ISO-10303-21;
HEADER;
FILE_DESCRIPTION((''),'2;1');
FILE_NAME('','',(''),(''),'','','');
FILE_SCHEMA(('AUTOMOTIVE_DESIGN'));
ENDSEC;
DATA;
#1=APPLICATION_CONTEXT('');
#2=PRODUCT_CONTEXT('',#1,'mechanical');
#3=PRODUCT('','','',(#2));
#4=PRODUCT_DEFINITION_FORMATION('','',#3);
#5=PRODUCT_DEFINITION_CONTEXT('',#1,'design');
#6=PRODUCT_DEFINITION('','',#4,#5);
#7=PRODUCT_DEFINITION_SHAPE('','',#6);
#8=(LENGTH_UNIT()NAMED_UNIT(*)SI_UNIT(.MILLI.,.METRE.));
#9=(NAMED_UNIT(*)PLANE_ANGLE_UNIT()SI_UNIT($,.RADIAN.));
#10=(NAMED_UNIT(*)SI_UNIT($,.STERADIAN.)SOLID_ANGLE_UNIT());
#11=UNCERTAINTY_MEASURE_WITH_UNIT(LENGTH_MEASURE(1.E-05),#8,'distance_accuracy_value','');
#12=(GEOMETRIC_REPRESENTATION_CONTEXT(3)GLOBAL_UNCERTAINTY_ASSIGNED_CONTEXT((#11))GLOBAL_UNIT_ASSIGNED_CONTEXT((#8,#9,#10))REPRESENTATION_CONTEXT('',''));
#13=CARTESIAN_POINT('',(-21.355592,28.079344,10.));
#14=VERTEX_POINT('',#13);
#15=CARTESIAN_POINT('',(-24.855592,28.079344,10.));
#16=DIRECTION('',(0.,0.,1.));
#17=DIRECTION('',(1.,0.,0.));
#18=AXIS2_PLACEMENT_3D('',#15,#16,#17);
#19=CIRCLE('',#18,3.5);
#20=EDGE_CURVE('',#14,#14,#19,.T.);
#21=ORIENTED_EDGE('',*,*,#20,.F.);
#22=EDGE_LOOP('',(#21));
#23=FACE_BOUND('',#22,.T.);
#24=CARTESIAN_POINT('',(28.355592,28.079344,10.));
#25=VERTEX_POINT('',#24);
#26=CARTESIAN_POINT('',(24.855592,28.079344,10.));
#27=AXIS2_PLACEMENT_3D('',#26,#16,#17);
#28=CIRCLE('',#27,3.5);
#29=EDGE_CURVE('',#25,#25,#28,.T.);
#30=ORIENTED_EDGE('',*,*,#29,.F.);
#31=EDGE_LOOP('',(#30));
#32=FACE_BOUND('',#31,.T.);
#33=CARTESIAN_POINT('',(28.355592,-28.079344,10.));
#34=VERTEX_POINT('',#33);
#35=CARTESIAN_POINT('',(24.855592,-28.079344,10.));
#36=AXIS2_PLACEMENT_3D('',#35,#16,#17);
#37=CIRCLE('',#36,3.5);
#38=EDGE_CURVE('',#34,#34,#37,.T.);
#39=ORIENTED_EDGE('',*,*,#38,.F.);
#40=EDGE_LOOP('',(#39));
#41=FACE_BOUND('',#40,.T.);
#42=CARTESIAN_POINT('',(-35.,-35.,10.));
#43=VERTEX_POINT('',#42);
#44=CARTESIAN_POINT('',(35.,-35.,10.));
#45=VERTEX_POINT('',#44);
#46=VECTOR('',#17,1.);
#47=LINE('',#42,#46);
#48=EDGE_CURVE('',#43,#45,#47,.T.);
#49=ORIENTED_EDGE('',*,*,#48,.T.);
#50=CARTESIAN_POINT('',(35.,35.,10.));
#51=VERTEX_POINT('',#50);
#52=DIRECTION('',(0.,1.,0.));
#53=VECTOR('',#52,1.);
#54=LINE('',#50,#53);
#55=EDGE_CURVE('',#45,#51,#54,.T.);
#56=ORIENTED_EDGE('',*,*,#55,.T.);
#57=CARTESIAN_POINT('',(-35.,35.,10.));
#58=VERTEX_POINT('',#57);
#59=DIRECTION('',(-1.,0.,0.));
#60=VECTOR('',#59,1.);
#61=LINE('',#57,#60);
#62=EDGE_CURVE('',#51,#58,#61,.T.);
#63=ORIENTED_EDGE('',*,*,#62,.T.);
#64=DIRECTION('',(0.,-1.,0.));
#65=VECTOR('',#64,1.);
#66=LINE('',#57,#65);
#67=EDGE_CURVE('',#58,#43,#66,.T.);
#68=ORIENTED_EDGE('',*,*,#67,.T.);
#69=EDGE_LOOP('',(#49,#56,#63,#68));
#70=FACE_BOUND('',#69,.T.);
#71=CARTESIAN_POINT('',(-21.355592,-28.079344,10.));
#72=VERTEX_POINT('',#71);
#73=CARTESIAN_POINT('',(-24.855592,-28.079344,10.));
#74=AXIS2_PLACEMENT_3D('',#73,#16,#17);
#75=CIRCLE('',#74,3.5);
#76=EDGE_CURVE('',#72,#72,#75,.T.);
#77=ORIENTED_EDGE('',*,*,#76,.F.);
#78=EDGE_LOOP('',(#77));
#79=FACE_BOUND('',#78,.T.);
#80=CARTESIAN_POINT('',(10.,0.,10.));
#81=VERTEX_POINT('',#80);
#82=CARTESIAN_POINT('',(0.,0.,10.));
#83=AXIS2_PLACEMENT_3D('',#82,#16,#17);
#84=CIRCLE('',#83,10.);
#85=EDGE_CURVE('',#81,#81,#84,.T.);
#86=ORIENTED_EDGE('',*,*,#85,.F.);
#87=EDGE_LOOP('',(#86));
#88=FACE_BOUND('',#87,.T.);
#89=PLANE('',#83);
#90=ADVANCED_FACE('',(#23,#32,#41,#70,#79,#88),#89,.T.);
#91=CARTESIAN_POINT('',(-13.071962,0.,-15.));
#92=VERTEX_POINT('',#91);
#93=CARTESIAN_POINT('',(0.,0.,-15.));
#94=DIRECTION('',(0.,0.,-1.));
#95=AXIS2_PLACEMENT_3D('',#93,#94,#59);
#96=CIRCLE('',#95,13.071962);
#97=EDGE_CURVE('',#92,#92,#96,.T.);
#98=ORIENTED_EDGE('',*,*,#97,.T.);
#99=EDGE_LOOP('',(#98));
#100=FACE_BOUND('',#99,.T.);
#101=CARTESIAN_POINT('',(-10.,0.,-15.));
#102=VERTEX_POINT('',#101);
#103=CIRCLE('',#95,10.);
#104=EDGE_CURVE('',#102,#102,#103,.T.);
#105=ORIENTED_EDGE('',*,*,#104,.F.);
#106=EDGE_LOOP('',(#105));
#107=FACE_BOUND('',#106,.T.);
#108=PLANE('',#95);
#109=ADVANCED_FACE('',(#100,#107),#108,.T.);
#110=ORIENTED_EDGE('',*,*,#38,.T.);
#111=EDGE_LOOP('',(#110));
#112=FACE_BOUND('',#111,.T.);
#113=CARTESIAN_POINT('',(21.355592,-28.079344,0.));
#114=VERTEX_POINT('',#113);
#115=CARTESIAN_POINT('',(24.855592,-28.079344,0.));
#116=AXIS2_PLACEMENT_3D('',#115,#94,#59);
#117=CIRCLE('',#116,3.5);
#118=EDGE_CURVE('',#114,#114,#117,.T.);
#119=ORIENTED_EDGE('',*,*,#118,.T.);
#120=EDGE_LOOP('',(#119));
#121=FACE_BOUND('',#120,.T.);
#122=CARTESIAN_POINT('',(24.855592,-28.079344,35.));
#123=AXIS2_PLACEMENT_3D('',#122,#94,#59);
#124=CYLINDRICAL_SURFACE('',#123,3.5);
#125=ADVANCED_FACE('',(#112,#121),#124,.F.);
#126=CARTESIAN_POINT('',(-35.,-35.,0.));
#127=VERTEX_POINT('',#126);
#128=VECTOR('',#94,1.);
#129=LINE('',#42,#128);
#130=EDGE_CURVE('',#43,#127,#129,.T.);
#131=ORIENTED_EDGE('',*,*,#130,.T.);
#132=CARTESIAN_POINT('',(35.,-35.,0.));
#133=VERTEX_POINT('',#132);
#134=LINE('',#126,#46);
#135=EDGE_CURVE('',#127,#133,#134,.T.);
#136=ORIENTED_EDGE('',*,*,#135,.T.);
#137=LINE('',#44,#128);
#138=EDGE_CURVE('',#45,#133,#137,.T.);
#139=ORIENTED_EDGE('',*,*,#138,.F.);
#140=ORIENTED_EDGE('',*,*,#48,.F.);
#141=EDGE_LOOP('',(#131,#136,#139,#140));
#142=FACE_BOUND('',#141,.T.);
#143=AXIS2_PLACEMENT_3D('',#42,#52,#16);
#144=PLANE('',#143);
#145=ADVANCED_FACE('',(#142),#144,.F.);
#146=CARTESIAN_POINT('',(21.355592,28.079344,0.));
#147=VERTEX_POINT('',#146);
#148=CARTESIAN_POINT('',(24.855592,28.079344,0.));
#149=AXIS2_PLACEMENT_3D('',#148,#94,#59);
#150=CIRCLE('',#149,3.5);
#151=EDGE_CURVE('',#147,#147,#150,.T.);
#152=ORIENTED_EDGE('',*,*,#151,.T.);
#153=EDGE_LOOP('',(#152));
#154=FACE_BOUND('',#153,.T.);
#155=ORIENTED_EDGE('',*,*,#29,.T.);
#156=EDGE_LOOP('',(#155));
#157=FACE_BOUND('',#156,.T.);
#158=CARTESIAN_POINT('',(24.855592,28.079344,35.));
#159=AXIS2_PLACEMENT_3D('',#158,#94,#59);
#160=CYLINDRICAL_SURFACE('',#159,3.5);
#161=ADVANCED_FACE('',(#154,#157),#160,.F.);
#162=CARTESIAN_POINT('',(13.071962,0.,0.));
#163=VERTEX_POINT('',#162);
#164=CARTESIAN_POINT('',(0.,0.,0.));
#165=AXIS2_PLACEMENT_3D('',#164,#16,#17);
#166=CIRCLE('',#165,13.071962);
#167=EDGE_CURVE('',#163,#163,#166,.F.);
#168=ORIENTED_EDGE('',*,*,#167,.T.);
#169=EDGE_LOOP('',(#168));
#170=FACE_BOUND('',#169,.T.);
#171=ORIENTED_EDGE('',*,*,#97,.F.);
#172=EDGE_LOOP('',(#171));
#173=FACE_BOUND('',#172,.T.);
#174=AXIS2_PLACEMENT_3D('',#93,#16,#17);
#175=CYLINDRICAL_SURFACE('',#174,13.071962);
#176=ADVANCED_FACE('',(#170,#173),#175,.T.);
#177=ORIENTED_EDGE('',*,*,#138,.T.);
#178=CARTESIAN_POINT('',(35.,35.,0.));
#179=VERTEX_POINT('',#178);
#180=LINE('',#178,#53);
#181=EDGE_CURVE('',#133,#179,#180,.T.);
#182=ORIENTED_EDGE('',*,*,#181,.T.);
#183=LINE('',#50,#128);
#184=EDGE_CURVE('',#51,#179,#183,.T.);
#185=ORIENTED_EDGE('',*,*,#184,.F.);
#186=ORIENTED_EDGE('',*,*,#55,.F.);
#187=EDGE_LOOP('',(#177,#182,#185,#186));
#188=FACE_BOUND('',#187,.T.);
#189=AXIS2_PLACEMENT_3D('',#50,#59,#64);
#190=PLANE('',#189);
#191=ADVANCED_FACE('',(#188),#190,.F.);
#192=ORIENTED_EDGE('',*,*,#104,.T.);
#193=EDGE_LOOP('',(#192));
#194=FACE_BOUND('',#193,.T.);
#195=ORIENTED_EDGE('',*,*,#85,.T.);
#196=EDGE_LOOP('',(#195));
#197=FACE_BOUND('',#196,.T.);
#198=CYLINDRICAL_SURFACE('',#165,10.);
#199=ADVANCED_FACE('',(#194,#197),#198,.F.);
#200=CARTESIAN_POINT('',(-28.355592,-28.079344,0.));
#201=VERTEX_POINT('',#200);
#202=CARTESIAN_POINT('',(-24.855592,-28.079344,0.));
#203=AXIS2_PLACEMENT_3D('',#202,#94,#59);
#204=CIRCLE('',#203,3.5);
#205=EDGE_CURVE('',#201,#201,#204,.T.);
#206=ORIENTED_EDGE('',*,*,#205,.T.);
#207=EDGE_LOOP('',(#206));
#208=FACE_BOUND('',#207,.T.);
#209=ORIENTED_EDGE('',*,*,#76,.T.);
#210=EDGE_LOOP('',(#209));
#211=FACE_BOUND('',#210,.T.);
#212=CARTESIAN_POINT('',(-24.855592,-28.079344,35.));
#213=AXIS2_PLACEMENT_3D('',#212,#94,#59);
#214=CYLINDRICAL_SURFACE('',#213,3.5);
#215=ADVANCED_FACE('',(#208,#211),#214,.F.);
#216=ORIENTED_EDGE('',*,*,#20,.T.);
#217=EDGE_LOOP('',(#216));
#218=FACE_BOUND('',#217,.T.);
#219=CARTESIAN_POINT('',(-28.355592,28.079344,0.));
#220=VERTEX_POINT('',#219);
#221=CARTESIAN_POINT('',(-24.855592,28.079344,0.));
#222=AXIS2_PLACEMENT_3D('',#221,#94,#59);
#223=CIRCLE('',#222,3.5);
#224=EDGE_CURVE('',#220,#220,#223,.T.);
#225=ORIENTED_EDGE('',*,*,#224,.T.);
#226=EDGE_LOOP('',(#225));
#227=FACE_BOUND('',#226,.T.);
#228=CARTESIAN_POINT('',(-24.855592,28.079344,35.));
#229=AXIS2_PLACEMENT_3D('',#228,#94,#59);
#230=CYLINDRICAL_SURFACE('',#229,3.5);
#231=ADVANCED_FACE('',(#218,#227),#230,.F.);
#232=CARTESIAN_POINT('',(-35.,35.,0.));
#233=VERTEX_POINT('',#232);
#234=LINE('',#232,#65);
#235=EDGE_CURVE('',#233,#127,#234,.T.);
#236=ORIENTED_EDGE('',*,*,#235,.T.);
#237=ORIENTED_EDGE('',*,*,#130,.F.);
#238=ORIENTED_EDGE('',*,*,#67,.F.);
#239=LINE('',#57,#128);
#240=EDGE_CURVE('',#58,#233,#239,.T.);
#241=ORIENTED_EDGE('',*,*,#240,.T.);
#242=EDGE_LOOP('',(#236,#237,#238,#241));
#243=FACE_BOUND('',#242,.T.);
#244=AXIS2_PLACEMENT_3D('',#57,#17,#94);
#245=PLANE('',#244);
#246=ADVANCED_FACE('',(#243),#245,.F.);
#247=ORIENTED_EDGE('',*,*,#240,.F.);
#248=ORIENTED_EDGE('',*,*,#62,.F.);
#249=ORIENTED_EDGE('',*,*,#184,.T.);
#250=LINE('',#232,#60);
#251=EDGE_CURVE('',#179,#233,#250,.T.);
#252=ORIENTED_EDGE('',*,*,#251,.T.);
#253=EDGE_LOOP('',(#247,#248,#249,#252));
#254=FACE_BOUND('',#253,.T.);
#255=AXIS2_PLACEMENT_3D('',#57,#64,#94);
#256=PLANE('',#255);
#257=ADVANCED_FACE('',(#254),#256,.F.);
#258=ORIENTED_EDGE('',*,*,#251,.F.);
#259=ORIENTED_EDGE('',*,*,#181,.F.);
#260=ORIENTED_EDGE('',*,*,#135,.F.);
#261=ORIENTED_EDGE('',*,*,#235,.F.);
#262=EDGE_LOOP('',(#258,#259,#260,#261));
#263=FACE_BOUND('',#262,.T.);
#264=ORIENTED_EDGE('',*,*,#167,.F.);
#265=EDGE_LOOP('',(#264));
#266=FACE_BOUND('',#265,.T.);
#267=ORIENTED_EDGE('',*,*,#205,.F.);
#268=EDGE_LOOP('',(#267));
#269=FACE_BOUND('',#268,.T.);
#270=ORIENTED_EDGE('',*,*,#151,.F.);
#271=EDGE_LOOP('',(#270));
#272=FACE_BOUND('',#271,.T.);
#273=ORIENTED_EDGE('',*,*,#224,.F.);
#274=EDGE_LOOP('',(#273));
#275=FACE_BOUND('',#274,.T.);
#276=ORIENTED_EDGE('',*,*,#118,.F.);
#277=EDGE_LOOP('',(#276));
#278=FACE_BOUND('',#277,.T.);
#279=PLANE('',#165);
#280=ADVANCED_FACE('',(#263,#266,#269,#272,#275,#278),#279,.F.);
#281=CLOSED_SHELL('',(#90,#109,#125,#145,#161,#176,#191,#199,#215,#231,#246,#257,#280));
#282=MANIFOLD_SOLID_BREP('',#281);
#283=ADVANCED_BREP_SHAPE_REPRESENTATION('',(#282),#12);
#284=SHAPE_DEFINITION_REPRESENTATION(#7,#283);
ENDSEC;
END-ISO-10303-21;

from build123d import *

# Parameters (mm, degrees)
SKETCH1_W           = 70
SKETCH1_H           = 70
BOSS_EXTRUDE1_DEPTH = 10
SKETCH2_R           = 10
CUT_EXTRUDE1_DEPTH  = 10
SKETCH4_R           = 3.5
CUT_EXTRUDE2_DEPTH  = 35
SKETCH5_R           = 13.071961786
SKETCH5_R_2         = 10
BOSS_EXTRUDE3_DEPTH = 15


with BuildPart() as part:
    # Sketch1 → Boss-Extrude1 (new body)
    with BuildSketch(Plane.XY):
        Rectangle(SKETCH1_W, SKETCH1_H)
    extrude(amount=BOSS_EXTRUDE1_DEPTH)

    # Sketch2 → Cut-Extrude1 (cut)
    with BuildSketch(Plane.XY.offset(10)):
        Circle(SKETCH2_R)
    extrude(amount=-CUT_EXTRUDE1_DEPTH, mode=Mode.SUBTRACT)

    # Sketch4 → Cut-Extrude2 (cut)
    with BuildSketch(Plane(origin=(0, 0, 0), x_dir=(-1, 0, 0), z_dir=(0, 0, -1))):
        with Locations((-24.855592085, 28.07934369)):
            Circle(SKETCH4_R)
        with Locations((24.855592085, 28.07934369)):
            Circle(SKETCH4_R)
        with Locations((24.855592085, -28.07934369)):
            Circle(SKETCH4_R)
        with Locations((-24.855592085, -28.07934369)):
            Circle(SKETCH4_R)
    extrude(amount=-CUT_EXTRUDE2_DEPTH, mode=Mode.SUBTRACT)

    # Sketch5 → Boss-Extrude3 (add)
    with BuildSketch(Plane(origin=(0, 0, 0), x_dir=(-1, 0, 0), z_dir=(0, 0, -1))):
        with Locations(Location((0, 0, 0), (0, 0, 180))):
            Circle(SKETCH5_R)
        with Locations(Location((0, 0, 0), (0, 0, 180))):
            Circle(SKETCH5_R_2, mode=Mode.SUBTRACT)
    extrude(amount=BOSS_EXTRUDE3_DEPTH)


solid = part.part
